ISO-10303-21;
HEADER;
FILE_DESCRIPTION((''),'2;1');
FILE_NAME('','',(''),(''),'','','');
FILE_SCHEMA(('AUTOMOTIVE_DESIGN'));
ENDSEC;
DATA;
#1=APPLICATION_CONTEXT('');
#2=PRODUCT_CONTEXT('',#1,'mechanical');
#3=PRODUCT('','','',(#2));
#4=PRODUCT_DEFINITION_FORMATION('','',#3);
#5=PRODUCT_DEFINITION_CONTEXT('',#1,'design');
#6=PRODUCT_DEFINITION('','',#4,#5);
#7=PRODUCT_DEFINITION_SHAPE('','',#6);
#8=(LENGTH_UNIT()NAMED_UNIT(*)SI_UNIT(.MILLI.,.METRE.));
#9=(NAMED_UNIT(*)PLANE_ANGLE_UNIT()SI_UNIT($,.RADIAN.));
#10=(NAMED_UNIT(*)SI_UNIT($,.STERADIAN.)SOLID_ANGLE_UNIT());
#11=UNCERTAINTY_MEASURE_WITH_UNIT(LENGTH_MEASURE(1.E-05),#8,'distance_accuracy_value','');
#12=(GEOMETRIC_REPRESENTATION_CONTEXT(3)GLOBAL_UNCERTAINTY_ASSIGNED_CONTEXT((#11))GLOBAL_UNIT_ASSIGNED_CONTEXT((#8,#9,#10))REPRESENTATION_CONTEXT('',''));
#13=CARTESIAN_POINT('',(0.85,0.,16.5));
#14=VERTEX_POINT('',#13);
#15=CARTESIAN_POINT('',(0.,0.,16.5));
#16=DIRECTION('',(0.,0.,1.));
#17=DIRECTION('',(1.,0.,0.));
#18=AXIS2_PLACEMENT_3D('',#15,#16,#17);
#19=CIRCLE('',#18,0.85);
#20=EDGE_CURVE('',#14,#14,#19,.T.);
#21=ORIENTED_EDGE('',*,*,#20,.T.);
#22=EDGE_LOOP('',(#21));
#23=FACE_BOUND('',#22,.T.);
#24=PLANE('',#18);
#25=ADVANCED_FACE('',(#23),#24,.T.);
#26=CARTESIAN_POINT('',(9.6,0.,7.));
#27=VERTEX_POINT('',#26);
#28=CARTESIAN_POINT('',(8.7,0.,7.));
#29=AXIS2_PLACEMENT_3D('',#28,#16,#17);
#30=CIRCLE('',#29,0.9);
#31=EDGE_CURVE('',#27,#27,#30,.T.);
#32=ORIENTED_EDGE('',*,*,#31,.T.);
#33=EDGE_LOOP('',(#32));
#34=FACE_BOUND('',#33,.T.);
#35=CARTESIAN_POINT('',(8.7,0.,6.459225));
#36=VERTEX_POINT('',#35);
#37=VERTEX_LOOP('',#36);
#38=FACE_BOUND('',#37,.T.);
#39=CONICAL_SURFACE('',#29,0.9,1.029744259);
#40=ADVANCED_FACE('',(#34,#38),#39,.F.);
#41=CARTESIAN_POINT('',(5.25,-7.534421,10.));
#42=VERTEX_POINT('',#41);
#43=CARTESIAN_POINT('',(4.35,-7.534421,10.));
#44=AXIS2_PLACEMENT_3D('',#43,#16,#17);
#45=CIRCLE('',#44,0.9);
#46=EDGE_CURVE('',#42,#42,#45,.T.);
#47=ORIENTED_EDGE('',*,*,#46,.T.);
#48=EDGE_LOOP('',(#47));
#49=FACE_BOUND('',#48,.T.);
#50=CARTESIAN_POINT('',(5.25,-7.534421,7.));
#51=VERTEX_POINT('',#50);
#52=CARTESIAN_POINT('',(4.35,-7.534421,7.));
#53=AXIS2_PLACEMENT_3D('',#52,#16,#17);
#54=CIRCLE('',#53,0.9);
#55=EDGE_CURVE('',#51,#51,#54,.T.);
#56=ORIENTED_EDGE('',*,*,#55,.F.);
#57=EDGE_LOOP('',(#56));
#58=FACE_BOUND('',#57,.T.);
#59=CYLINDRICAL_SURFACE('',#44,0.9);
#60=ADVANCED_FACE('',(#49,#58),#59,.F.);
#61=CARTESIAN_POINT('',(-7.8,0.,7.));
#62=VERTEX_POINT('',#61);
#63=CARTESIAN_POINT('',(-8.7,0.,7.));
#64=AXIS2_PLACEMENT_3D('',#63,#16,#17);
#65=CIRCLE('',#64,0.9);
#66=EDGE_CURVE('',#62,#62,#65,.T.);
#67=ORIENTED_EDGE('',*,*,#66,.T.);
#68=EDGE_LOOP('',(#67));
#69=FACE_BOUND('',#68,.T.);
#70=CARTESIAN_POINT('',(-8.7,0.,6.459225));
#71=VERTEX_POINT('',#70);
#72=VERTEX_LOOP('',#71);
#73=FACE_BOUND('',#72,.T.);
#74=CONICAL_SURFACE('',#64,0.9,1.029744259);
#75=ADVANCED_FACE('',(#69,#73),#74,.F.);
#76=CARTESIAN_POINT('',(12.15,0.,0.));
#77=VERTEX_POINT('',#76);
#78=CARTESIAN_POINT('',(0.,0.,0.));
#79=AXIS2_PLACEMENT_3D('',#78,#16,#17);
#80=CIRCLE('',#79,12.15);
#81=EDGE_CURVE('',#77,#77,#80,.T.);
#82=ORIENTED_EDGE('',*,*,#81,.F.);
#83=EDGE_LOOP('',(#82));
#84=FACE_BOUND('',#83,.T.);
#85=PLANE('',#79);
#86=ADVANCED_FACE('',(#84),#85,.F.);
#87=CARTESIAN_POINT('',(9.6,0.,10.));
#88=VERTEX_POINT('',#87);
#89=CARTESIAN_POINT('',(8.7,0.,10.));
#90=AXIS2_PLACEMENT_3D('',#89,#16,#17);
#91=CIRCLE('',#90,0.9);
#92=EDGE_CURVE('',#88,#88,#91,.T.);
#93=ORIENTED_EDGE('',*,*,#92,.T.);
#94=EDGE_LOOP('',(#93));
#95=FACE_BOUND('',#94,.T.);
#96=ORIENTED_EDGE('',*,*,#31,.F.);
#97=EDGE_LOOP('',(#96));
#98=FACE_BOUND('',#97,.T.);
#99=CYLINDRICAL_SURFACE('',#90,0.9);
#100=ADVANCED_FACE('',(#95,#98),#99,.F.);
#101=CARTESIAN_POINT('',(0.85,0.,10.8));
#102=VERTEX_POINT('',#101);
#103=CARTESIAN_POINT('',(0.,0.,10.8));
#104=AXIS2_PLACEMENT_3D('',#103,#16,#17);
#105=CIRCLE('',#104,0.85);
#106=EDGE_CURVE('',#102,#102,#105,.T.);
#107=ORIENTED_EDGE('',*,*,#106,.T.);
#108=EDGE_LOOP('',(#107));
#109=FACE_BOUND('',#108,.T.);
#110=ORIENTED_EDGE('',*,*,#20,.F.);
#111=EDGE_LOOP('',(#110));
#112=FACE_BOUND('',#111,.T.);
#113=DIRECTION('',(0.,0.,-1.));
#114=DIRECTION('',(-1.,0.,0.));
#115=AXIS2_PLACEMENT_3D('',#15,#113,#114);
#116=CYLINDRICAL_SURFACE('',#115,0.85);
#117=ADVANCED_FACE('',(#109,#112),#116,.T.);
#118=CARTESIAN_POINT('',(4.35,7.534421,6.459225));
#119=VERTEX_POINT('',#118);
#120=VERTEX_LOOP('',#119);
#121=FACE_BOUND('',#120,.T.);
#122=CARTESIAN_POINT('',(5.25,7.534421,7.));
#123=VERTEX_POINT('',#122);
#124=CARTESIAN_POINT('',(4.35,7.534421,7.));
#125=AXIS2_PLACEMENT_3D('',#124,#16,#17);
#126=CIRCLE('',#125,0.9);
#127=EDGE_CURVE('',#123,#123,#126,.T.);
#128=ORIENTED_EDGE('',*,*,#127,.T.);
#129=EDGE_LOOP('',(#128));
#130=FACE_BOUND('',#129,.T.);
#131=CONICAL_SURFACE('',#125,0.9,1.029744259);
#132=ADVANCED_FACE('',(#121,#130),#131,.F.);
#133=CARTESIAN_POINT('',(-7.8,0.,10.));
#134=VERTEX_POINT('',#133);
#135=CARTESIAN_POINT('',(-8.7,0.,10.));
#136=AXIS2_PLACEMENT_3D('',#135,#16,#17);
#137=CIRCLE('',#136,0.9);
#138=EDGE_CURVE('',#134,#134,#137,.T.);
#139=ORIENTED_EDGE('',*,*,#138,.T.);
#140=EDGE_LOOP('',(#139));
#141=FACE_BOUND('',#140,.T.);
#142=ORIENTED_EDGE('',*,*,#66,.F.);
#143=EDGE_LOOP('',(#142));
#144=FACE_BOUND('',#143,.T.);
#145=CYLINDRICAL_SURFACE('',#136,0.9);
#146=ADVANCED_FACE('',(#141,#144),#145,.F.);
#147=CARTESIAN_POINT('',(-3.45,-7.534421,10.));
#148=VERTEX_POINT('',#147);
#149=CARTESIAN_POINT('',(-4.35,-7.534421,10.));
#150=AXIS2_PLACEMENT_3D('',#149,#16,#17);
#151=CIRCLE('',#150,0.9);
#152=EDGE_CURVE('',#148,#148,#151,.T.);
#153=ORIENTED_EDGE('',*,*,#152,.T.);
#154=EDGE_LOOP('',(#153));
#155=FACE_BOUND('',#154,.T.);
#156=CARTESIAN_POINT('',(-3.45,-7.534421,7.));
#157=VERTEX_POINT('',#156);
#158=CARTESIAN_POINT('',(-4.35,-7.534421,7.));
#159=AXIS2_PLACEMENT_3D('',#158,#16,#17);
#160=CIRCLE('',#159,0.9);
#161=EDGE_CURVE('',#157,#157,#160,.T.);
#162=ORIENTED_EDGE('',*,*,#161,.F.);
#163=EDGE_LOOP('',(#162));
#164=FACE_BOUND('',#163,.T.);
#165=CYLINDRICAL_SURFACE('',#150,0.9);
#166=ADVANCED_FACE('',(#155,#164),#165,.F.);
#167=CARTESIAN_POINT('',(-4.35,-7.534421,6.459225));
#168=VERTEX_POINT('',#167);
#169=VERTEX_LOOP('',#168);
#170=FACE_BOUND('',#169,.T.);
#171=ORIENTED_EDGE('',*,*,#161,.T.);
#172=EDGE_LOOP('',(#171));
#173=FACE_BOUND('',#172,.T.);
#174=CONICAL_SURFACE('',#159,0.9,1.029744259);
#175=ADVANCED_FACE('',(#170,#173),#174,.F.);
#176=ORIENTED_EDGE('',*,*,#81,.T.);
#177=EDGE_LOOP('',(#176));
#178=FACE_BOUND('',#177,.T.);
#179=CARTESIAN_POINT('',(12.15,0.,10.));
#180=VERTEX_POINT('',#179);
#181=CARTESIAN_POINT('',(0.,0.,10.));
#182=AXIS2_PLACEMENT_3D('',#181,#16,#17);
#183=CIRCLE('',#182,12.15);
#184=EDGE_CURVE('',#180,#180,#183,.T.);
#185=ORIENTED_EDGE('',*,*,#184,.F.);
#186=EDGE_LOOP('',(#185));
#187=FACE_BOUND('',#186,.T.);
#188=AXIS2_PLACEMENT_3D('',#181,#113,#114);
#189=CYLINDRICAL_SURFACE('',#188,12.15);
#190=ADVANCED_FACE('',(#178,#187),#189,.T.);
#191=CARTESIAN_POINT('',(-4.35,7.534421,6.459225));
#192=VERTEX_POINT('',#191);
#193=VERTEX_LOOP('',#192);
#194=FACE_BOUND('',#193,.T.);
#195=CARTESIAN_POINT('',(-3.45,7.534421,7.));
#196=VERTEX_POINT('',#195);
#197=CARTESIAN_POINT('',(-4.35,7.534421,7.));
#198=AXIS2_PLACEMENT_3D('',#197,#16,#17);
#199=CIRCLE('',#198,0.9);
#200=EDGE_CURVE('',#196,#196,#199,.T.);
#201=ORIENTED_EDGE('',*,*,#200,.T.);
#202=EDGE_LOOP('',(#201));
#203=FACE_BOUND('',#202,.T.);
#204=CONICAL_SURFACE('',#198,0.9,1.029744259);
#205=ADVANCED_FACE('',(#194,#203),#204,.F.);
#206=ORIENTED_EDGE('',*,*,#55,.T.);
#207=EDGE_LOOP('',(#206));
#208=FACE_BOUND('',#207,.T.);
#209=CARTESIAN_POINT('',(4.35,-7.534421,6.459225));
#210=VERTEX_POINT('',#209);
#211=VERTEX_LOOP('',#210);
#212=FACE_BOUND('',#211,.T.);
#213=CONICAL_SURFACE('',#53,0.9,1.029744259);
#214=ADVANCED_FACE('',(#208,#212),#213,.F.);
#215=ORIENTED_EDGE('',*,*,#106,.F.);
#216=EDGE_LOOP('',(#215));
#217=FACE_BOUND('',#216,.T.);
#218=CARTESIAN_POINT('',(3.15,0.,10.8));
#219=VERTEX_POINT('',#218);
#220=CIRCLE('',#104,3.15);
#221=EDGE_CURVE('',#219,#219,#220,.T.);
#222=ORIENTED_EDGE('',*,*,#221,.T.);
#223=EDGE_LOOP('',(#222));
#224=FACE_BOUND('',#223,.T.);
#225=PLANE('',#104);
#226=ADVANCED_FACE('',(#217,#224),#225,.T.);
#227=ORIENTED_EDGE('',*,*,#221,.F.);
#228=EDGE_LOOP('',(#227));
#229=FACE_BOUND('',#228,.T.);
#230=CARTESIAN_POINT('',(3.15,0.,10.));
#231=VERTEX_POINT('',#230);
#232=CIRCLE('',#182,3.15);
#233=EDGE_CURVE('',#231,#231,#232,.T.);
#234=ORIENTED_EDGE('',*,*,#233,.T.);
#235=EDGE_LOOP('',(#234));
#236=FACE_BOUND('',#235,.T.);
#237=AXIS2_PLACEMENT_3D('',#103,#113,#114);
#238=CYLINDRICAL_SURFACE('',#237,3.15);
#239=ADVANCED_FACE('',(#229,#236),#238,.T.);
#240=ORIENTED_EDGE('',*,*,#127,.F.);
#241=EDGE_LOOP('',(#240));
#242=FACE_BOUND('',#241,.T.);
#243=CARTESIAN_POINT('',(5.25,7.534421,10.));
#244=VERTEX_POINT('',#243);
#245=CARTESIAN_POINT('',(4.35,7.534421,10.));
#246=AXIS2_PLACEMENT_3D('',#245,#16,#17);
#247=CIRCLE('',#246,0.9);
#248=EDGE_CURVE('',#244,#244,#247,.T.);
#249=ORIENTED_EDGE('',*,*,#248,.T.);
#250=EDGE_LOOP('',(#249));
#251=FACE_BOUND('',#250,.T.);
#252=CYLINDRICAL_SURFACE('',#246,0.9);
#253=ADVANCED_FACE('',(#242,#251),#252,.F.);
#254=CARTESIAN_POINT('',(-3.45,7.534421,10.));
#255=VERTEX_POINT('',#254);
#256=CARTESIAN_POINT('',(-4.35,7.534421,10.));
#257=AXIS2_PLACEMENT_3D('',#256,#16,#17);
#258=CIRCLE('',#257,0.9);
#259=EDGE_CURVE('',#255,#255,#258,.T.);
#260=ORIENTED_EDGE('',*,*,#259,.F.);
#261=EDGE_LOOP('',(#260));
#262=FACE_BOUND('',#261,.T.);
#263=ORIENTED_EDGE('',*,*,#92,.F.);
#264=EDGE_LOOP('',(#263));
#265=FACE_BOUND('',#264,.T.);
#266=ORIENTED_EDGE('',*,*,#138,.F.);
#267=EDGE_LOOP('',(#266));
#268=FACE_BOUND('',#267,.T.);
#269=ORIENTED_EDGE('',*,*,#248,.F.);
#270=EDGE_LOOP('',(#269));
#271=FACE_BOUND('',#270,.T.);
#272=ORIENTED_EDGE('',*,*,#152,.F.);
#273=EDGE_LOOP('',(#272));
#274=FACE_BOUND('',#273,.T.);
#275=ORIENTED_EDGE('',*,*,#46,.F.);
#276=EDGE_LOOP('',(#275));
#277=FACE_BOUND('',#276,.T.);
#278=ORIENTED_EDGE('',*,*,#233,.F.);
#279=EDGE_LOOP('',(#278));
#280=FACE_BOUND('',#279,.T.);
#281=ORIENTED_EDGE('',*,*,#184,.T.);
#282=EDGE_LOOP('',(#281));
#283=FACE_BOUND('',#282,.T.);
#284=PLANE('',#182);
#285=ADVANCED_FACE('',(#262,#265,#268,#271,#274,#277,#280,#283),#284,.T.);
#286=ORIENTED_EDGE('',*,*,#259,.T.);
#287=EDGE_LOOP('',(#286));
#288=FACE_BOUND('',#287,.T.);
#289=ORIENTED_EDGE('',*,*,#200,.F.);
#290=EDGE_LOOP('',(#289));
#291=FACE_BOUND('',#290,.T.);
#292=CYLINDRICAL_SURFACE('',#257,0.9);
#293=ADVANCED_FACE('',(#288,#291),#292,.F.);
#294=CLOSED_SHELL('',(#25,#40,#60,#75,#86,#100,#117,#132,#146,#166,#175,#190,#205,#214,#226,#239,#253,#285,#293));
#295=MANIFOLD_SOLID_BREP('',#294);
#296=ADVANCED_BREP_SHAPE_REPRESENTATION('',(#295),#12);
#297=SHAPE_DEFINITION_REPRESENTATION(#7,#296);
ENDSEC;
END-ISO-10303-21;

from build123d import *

# Parameters (mm, degrees)
SKETCH1_R                  = 12.15
BOSS_EXTRUDE1_DEPTH        = 10
SKETCH2_R                  = 3.15
BOSS_EXTRUDE2_DEPTH        = 0.8
SKETCH3_R                  = 0.85
BOSS_EXTRUDE3_DEPTH        = 5.7
M1_6_CLEARANCE_HOLE1_D     = 1.8
M1_6_CLEARANCE_HOLE1_DEPTH = 3
M1_6_CLEARANCE_HOLE1_TIP   = 0.540774557


with BuildPart() as part:
    # Sketch1 → Boss-Extrude1 (new body)
    with BuildSketch(Plane.XY):
        Circle(SKETCH1_R)
    extrude(amount=BOSS_EXTRUDE1_DEPTH)

    # Sketch2 → Boss-Extrude2 (add)
    with BuildSketch(Plane.XY.offset(10)):
        Circle(SKETCH2_R)
    extrude(amount=BOSS_EXTRUDE2_DEPTH)

    # Sketch3 → Boss-Extrude3 (add)
    with BuildSketch(Plane.XY.offset(10.8)):
        Circle(SKETCH3_R)
    extrude(amount=BOSS_EXTRUDE3_DEPTH)

    # M1.6 Clearance Hole1
    with Locations(Plane.XY.offset(10)):
        with Locations((-4.35, 7.534421013), (4.35, 7.534421013), (8.7, 0), (4.35, -7.534421013), (-4.35, -7.534421013), (-8.7, 0)):
            Hole(M1_6_CLEARANCE_HOLE1_D / 2, depth=M1_6_CLEARANCE_HOLE1_DEPTH)
            with Locations((0, 0, -(M1_6_CLEARANCE_HOLE1_DEPTH + M1_6_CLEARANCE_HOLE1_TIP / 2))):  # 118° drill point
                Cone(0, M1_6_CLEARANCE_HOLE1_D / 2, M1_6_CLEARANCE_HOLE1_TIP, mode=Mode.SUBTRACT)


solid = part.part
